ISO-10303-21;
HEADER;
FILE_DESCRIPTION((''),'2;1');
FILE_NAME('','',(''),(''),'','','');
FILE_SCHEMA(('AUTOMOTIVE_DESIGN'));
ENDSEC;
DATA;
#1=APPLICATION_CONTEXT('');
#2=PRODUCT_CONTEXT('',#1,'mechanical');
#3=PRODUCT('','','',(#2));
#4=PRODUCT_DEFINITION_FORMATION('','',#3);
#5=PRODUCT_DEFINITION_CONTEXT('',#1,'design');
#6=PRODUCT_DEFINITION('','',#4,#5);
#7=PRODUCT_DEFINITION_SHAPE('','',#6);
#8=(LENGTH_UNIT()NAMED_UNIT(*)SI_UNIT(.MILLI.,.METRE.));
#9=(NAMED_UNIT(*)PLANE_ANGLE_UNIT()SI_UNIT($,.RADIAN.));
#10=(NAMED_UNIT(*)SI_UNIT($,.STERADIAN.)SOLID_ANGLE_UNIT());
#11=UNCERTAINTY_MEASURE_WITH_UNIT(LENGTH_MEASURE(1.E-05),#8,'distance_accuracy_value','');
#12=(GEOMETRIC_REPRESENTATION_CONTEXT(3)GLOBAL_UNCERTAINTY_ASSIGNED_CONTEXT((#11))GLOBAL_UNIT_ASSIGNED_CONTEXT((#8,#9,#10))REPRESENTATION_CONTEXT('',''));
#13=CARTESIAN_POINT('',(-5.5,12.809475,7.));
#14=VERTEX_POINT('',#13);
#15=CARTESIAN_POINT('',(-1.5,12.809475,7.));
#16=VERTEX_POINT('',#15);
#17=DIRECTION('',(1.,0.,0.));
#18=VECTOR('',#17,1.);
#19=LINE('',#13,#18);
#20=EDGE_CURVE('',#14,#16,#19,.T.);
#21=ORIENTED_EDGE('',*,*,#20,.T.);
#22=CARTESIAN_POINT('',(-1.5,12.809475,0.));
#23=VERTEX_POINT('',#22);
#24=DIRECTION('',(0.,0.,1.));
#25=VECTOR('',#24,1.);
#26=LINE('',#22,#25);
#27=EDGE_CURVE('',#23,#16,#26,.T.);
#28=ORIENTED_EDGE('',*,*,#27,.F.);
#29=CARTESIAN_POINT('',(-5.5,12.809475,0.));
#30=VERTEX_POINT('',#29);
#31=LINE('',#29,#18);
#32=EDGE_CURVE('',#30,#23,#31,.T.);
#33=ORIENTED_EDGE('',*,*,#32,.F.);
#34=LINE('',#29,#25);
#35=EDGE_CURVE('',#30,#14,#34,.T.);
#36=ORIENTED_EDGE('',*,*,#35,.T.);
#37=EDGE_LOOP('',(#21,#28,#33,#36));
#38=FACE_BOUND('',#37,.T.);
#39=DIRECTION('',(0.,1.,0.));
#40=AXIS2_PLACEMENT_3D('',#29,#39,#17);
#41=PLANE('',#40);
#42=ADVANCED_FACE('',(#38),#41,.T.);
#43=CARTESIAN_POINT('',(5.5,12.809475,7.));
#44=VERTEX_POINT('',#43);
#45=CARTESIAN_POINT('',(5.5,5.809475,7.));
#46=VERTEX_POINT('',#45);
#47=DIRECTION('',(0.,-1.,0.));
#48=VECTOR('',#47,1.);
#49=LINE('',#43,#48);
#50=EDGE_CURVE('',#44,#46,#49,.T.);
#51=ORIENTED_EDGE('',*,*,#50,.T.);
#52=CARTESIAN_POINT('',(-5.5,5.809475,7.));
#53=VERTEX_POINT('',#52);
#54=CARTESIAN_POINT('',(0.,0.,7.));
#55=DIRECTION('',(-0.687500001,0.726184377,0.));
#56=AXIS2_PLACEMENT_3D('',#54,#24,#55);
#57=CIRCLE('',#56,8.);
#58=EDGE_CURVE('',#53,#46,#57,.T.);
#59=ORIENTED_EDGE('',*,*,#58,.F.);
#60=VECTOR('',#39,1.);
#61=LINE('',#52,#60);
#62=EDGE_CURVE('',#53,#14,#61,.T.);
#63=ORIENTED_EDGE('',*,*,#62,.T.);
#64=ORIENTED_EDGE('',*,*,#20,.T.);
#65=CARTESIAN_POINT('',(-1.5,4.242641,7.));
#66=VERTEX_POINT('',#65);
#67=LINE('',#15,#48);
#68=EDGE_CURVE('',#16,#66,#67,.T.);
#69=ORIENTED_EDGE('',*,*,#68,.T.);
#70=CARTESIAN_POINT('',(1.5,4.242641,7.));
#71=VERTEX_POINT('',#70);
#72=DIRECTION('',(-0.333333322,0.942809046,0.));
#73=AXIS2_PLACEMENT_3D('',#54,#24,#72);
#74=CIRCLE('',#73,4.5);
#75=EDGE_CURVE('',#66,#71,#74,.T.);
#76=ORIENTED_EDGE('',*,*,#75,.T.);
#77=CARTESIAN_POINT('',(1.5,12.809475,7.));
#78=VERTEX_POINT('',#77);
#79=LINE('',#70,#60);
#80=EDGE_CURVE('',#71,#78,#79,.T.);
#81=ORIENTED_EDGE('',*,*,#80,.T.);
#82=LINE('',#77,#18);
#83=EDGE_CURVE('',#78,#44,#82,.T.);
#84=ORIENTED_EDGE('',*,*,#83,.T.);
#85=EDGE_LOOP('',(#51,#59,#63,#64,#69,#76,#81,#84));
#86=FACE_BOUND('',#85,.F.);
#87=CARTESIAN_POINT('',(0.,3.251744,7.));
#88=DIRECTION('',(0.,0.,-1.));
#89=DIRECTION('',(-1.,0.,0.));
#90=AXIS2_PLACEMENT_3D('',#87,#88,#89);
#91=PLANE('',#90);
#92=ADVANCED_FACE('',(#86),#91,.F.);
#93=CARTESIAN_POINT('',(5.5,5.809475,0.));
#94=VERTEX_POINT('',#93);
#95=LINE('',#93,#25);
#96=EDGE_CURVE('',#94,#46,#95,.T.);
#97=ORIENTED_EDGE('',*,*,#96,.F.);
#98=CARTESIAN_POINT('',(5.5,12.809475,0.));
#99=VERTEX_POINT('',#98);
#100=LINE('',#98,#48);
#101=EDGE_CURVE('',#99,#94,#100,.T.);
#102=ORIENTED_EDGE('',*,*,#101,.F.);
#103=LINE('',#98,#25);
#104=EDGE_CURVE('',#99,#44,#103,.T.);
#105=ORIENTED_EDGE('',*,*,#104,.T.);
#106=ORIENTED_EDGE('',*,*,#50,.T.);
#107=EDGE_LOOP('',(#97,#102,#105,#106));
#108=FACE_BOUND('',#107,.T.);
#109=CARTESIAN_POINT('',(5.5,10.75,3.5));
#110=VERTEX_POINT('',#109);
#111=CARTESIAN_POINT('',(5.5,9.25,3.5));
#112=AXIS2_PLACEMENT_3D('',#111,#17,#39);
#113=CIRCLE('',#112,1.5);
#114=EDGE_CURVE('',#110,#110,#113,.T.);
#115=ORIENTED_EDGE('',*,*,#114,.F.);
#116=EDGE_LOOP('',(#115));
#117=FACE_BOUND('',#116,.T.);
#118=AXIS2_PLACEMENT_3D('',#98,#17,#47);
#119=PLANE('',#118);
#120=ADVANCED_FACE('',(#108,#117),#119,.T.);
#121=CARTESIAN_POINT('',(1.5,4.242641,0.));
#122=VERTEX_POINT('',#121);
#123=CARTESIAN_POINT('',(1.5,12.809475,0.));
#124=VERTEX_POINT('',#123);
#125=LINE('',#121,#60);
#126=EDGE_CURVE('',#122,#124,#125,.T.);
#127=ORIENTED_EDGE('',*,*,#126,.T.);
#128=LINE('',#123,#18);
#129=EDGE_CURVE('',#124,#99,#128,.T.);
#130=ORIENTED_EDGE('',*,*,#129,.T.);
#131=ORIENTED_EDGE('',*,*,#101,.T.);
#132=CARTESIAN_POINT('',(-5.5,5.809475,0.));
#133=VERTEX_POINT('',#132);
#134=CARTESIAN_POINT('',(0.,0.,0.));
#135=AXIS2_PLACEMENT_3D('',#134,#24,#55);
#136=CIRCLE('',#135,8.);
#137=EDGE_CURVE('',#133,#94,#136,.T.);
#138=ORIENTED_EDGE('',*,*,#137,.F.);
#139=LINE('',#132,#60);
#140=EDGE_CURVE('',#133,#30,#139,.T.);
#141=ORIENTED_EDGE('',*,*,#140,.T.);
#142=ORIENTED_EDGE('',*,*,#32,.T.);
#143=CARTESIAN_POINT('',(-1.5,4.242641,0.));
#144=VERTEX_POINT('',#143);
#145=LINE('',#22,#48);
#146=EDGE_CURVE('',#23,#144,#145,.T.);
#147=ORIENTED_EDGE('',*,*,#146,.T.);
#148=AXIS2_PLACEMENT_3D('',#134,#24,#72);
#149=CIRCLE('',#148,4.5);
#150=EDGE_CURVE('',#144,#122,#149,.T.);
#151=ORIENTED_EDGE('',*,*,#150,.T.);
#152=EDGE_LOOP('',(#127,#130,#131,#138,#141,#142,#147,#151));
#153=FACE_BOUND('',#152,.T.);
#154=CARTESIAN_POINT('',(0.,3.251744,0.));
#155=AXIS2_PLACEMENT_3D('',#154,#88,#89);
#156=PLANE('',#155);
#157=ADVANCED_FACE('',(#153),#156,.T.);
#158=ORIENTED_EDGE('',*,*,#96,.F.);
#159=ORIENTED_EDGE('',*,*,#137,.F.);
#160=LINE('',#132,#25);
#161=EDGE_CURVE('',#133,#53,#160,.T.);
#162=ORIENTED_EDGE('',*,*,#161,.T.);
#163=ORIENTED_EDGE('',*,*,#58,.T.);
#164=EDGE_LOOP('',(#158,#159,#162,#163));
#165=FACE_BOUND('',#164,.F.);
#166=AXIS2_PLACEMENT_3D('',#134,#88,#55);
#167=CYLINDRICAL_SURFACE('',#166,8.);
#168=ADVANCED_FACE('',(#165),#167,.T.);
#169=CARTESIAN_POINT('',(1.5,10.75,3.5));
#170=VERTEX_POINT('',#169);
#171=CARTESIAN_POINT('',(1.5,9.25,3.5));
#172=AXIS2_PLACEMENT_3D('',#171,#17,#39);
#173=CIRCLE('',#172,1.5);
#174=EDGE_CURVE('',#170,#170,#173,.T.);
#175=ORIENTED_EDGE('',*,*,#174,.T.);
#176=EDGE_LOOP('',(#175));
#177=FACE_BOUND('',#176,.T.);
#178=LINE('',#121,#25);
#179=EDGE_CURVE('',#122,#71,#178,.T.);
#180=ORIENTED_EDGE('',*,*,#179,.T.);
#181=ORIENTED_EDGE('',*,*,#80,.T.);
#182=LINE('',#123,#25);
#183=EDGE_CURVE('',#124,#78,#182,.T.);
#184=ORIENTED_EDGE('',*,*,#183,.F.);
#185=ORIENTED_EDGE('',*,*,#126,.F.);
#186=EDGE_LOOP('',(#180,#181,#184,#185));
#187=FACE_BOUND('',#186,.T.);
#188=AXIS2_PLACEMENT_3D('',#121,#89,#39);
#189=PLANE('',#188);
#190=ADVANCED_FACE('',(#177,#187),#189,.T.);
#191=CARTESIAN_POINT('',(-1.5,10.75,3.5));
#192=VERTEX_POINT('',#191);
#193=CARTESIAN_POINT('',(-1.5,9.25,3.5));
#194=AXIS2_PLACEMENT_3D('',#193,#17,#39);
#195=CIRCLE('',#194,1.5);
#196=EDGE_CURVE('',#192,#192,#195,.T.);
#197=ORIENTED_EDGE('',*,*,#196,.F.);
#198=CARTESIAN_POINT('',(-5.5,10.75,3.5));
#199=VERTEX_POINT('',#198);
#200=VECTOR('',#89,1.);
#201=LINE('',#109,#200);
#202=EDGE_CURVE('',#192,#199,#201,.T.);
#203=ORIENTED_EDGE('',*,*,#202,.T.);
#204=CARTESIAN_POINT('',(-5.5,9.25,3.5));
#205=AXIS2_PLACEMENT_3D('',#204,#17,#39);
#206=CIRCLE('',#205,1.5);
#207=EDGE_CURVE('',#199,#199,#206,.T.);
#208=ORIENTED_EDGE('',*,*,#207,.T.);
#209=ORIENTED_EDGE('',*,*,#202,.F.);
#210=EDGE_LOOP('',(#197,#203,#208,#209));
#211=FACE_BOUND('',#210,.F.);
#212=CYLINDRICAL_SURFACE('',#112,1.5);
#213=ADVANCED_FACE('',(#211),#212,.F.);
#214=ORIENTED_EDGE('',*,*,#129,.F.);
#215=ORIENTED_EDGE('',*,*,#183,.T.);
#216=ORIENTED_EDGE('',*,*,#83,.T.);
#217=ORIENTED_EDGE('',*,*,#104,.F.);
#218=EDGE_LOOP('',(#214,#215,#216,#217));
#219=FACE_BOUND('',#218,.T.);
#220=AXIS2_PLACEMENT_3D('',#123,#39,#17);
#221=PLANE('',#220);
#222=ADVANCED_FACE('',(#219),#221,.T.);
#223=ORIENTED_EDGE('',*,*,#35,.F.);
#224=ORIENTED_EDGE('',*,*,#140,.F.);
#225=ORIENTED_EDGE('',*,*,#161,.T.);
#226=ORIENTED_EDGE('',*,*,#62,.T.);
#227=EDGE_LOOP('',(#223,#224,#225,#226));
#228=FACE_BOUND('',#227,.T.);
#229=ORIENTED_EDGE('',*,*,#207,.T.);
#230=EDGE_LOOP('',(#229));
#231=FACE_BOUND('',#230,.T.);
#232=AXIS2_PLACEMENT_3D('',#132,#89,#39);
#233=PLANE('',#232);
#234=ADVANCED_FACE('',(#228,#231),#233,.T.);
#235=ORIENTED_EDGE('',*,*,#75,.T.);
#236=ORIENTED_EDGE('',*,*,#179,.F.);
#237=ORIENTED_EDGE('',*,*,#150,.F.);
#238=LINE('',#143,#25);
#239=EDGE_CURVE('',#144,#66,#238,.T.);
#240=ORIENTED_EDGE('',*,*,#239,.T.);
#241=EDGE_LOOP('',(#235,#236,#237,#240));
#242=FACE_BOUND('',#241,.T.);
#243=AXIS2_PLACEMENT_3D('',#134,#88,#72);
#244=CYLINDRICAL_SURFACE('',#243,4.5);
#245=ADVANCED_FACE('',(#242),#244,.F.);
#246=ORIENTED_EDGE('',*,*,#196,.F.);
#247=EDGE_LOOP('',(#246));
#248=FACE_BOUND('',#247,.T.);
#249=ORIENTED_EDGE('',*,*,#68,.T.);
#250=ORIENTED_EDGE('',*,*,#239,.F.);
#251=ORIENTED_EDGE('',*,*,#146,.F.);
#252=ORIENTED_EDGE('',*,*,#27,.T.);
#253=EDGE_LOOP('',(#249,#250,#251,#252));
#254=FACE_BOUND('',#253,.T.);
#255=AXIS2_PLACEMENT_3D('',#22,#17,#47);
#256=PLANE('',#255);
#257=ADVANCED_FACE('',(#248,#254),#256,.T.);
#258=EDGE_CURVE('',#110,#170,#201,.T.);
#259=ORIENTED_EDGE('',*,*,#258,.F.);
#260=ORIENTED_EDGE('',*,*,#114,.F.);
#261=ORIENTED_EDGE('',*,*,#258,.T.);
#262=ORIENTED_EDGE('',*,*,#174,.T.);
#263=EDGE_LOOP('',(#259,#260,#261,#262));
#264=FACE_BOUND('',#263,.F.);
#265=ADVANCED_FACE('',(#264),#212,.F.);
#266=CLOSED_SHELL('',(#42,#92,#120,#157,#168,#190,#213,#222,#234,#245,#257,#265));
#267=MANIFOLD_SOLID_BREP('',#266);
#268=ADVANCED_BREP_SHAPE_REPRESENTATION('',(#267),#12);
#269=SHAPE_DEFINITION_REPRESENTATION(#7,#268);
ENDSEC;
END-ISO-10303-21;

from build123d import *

# Parameters (mm, degrees)
PAD_DEPTH    = 7
SKETCH001_R  = 1.5
POCKET_DEPTH = 13.501


with BuildPart() as part:
    # Sketch → Pad (new body)
    with BuildSketch(Plane.XY):
        with BuildLine():
            ThreePointArc((-1.5, 4.242641), (0, -4.5), (1.5, 4.242641))
            Line((1.5, 4.242641), (1.5, 12.809475))
            Line((1.5, 12.809475), (5.5, 12.809475))
            Line((5.5, 12.809475), (5.5, 5.809475))
            ThreePointArc((-5.5, 5.809475), (0, -8), (5.5, 5.809475))
            Line((-5.5, 5.809475), (-5.5, 12.809475))
            Line((-5.5, 12.809475), (-1.5, 12.809475))
            Line((-1.5, 12.809475), (-1.5, 4.242641))
        make_face()
    extrude(amount=PAD_DEPTH)

    # Sketch001 (on Face7 of Pad) → Pocket (cut, through all)
    with BuildSketch(Plane.YZ.offset(5.5)):
        with Locations((9.25, 3.5)):
            Circle(SKETCH001_R)
    extrude(amount=-POCKET_DEPTH, mode=Mode.SUBTRACT)


solid = part.part
